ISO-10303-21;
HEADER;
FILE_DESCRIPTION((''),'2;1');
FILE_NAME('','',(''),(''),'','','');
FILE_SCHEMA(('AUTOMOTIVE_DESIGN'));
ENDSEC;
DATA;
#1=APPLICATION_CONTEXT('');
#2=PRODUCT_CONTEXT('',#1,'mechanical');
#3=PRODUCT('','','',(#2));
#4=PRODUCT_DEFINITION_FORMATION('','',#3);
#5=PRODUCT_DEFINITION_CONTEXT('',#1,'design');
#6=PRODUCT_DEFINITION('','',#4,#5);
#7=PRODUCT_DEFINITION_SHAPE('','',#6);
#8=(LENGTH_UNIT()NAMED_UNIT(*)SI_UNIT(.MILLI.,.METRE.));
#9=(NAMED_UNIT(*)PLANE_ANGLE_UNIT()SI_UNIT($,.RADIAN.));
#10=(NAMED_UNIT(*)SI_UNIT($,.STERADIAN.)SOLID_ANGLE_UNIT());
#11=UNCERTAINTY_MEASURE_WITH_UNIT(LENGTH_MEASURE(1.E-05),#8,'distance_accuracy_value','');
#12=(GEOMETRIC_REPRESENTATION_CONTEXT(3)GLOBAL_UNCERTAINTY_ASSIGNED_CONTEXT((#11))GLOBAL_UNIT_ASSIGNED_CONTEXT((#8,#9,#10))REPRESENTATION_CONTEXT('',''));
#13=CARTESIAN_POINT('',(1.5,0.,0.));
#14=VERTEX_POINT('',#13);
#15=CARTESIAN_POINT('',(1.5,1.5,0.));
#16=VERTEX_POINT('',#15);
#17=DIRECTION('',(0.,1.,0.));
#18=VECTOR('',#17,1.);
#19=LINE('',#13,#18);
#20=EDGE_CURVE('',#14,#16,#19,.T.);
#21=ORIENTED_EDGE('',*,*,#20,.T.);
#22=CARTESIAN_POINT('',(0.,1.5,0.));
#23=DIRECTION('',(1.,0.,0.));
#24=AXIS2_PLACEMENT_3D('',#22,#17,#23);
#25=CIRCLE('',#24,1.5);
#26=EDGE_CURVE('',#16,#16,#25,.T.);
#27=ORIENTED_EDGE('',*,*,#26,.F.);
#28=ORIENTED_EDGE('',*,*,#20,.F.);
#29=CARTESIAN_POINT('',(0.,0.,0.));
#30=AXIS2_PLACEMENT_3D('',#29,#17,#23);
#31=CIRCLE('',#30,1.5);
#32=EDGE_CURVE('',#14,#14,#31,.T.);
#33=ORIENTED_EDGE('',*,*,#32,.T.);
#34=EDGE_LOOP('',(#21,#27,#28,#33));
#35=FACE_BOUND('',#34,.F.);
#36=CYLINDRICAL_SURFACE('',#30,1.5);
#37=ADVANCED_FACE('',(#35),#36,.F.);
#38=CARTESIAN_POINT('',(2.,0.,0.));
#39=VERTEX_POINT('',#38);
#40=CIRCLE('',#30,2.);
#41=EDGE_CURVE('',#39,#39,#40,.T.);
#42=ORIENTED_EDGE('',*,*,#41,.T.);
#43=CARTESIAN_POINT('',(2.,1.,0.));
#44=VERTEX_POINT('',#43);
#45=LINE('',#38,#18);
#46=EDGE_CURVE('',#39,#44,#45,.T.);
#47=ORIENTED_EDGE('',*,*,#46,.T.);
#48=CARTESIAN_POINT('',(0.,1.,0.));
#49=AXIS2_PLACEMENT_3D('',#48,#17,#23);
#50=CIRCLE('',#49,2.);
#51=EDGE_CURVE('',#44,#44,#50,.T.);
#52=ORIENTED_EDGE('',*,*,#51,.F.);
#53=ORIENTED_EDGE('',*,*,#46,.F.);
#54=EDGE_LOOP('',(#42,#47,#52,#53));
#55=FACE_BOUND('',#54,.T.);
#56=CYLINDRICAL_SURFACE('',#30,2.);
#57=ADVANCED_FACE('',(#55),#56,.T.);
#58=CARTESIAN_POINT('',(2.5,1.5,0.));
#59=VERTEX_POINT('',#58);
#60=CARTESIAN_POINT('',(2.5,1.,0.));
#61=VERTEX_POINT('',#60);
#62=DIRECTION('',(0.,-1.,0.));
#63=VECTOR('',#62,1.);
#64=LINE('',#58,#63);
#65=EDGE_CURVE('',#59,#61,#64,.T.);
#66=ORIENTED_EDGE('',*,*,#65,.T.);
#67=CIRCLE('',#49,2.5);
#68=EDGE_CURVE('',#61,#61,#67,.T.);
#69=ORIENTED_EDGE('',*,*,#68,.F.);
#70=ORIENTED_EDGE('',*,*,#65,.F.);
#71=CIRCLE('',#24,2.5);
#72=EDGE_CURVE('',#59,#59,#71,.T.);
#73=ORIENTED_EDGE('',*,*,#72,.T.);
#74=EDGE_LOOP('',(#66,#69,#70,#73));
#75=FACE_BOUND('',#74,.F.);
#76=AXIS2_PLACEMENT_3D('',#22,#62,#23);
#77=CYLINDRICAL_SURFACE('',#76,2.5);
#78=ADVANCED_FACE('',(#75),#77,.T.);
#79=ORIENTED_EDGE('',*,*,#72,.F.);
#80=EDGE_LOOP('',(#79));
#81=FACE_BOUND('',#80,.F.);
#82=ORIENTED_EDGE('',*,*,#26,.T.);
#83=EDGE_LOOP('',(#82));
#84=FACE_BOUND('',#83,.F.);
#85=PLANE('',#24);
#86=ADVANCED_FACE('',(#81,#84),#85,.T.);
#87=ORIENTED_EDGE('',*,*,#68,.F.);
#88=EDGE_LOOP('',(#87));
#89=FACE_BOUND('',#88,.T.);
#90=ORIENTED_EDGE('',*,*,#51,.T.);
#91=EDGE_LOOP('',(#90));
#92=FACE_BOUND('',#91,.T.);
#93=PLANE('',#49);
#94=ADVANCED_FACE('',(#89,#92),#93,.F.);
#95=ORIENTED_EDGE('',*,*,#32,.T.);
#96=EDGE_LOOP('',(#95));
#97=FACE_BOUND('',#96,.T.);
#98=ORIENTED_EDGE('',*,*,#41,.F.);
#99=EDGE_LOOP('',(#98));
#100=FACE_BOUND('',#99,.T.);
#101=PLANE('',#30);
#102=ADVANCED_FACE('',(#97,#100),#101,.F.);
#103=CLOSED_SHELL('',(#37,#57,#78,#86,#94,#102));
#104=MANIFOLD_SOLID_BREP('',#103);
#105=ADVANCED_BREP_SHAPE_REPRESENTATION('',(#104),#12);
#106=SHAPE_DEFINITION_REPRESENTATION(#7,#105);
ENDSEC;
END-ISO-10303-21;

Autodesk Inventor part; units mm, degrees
ref_plane "YZ Plane" through (0, 0, 0) normal (1, 0, 0) x (0, 1, 0)
ref_plane "XZ Plane" through (0, 0, 0) normal (0, 1, 0) x (-1, 0, 0)
ref_plane "XY Plane" through (0, 0, 0) normal (0, 0, 1) x (1, 0, 0)
sketch "Sketch1" plane through (0, 0, 0) normal (0, 0, 1) x (1, 0, 0)
  line L0 (0, 0) -> (1.5, 0) construction
  line L1 (1.5, 0) -> (1.5, 1.5)
  line L2 (1.5, 1.5) -> (2.5, 1.5)
  line L3 (2.5, 1.5) -> (2.5, 1)
  line L4 (1.5, 0) -> (2, 0)
  line L5 (2, 0) -> (2, 1)
  line L6 (2, 1) -> (2.5, 1)
  line L7 (0, -0.3) -> (0, 1.8) projected
  dimension "d0" = 1.5
  dimension "d1" = 1.5
  dimension "d2" = 1
  dimension "d3" = 0.5
  dimension "d4" = 0.5
revolve "Revolution1" add sketch "Sketch1" angle 360 about axis through (0, -10, 0) along (0, 1, 0)
properties part number "ProtectorBloqueo"
